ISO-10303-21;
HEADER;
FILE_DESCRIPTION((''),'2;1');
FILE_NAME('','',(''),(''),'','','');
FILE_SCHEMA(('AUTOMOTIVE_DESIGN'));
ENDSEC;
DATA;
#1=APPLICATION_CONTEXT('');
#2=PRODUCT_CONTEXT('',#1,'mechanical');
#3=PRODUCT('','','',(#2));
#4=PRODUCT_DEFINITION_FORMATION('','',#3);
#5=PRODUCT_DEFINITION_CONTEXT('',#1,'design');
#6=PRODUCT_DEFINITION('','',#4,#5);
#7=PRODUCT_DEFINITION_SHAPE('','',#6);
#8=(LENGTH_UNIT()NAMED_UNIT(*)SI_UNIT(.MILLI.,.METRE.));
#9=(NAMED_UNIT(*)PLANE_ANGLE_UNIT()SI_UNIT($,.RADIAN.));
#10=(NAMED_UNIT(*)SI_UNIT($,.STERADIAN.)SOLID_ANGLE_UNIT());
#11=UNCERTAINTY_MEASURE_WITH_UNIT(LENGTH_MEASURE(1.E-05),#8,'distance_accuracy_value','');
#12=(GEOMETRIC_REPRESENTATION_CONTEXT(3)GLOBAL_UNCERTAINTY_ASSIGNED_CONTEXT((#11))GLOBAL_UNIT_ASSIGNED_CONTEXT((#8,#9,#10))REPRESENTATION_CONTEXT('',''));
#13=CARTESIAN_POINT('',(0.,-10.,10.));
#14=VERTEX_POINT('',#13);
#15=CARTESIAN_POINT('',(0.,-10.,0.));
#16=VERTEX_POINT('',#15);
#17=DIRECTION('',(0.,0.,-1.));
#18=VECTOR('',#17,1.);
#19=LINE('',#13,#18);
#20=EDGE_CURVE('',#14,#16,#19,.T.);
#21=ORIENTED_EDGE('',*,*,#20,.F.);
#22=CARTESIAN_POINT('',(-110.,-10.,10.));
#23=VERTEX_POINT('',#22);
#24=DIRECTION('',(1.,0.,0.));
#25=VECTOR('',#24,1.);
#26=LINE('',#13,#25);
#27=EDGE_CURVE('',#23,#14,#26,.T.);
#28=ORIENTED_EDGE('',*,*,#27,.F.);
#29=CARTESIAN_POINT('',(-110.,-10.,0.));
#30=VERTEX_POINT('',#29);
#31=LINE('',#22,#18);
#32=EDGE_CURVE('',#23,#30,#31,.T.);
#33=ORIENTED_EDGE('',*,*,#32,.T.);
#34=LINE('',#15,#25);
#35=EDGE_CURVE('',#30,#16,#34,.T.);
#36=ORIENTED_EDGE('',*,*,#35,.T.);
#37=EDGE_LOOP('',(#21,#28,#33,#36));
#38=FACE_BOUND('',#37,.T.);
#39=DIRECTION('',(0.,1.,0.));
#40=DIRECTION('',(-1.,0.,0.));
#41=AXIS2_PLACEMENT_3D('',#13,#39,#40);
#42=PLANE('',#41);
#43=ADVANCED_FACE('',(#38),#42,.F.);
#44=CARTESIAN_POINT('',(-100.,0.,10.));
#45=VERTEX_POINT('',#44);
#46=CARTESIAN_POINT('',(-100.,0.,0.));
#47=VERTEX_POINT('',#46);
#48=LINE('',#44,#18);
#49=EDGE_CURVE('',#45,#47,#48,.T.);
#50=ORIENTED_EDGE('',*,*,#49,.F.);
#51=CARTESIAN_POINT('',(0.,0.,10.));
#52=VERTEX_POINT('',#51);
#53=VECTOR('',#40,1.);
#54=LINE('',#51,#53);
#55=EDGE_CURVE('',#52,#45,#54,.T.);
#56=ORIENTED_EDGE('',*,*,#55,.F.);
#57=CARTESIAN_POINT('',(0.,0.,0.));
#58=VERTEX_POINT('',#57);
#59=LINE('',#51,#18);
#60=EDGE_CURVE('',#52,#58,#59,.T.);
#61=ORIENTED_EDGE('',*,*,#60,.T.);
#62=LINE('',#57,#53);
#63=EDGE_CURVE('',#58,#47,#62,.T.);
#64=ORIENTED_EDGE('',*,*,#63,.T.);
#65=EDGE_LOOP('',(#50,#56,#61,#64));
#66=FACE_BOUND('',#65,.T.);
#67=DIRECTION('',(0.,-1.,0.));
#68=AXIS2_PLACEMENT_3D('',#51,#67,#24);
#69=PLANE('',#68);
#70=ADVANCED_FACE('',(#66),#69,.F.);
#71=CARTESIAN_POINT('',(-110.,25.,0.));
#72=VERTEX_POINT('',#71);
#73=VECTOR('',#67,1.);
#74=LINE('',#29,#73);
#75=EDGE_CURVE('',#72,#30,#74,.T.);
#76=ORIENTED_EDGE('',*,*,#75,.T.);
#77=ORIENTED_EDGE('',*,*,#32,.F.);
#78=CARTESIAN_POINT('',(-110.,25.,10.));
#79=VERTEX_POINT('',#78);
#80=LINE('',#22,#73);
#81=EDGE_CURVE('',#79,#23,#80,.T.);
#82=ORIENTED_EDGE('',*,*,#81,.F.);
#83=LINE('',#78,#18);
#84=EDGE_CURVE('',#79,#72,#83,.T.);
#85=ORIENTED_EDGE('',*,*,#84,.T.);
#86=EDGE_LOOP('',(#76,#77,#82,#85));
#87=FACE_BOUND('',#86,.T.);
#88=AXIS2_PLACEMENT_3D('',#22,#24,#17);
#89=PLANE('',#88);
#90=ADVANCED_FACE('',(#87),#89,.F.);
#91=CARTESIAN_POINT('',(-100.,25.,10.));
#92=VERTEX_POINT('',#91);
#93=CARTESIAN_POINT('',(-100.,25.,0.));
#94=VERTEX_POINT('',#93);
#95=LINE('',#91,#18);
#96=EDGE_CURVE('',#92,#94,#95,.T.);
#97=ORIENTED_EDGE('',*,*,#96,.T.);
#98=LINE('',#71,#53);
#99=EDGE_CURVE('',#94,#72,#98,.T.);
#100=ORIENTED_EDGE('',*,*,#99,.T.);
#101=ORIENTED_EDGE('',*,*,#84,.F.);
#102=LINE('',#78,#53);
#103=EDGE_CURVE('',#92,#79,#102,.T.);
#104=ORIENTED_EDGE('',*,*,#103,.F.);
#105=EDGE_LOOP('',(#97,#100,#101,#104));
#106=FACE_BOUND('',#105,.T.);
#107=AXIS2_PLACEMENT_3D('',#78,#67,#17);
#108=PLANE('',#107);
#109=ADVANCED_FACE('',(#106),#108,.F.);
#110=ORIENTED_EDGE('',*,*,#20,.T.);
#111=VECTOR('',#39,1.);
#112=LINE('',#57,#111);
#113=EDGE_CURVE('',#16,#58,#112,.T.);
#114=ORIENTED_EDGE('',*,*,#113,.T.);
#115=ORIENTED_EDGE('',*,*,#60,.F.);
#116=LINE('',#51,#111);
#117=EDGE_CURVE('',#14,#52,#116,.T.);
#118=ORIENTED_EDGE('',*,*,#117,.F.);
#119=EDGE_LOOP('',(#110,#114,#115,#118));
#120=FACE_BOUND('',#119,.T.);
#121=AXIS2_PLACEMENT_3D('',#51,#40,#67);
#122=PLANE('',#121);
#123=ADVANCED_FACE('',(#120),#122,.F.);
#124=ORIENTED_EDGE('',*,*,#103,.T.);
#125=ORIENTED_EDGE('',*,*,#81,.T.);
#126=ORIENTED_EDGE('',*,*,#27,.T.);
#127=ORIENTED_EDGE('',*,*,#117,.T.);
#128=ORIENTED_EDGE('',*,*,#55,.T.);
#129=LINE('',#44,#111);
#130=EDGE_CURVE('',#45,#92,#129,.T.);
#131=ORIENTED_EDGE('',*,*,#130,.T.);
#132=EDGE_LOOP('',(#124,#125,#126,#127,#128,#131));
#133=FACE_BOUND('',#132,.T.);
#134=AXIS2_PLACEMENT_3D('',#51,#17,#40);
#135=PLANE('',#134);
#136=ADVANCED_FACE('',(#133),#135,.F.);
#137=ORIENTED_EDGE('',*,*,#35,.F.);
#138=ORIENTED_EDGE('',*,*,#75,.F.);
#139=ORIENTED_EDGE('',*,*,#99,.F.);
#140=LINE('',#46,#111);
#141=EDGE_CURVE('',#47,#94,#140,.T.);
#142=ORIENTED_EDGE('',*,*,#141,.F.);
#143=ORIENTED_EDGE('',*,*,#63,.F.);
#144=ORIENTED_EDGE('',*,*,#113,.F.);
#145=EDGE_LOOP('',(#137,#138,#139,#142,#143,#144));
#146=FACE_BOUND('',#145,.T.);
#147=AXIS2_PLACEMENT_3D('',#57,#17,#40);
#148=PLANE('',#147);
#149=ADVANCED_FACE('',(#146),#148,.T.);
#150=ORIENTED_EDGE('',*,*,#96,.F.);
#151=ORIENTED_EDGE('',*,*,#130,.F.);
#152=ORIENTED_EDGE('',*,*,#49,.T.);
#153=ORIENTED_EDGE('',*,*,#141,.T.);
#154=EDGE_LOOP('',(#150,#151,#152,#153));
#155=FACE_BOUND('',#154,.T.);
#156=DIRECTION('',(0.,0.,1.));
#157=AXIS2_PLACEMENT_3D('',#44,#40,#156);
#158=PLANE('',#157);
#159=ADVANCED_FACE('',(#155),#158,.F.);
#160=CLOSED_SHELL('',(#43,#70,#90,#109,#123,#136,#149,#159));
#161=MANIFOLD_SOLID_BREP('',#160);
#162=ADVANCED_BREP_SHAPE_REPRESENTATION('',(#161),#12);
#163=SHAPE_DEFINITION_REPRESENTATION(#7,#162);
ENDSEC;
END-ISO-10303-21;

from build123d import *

# Parameters (mm, degrees)
BOSS_EXTRUDE1_DEPTH = 10


with BuildPart() as part:
    # Sketch1 → Boss-Extrude1 (new body)
    with BuildSketch(Plane.XY):
        Polygon((0, 0), (-100, 0), (-100, 25), (-110, 25), (-110, -10), (0, -10), align=None)
    extrude(amount=BOSS_EXTRUDE1_DEPTH)


solid = part.part
